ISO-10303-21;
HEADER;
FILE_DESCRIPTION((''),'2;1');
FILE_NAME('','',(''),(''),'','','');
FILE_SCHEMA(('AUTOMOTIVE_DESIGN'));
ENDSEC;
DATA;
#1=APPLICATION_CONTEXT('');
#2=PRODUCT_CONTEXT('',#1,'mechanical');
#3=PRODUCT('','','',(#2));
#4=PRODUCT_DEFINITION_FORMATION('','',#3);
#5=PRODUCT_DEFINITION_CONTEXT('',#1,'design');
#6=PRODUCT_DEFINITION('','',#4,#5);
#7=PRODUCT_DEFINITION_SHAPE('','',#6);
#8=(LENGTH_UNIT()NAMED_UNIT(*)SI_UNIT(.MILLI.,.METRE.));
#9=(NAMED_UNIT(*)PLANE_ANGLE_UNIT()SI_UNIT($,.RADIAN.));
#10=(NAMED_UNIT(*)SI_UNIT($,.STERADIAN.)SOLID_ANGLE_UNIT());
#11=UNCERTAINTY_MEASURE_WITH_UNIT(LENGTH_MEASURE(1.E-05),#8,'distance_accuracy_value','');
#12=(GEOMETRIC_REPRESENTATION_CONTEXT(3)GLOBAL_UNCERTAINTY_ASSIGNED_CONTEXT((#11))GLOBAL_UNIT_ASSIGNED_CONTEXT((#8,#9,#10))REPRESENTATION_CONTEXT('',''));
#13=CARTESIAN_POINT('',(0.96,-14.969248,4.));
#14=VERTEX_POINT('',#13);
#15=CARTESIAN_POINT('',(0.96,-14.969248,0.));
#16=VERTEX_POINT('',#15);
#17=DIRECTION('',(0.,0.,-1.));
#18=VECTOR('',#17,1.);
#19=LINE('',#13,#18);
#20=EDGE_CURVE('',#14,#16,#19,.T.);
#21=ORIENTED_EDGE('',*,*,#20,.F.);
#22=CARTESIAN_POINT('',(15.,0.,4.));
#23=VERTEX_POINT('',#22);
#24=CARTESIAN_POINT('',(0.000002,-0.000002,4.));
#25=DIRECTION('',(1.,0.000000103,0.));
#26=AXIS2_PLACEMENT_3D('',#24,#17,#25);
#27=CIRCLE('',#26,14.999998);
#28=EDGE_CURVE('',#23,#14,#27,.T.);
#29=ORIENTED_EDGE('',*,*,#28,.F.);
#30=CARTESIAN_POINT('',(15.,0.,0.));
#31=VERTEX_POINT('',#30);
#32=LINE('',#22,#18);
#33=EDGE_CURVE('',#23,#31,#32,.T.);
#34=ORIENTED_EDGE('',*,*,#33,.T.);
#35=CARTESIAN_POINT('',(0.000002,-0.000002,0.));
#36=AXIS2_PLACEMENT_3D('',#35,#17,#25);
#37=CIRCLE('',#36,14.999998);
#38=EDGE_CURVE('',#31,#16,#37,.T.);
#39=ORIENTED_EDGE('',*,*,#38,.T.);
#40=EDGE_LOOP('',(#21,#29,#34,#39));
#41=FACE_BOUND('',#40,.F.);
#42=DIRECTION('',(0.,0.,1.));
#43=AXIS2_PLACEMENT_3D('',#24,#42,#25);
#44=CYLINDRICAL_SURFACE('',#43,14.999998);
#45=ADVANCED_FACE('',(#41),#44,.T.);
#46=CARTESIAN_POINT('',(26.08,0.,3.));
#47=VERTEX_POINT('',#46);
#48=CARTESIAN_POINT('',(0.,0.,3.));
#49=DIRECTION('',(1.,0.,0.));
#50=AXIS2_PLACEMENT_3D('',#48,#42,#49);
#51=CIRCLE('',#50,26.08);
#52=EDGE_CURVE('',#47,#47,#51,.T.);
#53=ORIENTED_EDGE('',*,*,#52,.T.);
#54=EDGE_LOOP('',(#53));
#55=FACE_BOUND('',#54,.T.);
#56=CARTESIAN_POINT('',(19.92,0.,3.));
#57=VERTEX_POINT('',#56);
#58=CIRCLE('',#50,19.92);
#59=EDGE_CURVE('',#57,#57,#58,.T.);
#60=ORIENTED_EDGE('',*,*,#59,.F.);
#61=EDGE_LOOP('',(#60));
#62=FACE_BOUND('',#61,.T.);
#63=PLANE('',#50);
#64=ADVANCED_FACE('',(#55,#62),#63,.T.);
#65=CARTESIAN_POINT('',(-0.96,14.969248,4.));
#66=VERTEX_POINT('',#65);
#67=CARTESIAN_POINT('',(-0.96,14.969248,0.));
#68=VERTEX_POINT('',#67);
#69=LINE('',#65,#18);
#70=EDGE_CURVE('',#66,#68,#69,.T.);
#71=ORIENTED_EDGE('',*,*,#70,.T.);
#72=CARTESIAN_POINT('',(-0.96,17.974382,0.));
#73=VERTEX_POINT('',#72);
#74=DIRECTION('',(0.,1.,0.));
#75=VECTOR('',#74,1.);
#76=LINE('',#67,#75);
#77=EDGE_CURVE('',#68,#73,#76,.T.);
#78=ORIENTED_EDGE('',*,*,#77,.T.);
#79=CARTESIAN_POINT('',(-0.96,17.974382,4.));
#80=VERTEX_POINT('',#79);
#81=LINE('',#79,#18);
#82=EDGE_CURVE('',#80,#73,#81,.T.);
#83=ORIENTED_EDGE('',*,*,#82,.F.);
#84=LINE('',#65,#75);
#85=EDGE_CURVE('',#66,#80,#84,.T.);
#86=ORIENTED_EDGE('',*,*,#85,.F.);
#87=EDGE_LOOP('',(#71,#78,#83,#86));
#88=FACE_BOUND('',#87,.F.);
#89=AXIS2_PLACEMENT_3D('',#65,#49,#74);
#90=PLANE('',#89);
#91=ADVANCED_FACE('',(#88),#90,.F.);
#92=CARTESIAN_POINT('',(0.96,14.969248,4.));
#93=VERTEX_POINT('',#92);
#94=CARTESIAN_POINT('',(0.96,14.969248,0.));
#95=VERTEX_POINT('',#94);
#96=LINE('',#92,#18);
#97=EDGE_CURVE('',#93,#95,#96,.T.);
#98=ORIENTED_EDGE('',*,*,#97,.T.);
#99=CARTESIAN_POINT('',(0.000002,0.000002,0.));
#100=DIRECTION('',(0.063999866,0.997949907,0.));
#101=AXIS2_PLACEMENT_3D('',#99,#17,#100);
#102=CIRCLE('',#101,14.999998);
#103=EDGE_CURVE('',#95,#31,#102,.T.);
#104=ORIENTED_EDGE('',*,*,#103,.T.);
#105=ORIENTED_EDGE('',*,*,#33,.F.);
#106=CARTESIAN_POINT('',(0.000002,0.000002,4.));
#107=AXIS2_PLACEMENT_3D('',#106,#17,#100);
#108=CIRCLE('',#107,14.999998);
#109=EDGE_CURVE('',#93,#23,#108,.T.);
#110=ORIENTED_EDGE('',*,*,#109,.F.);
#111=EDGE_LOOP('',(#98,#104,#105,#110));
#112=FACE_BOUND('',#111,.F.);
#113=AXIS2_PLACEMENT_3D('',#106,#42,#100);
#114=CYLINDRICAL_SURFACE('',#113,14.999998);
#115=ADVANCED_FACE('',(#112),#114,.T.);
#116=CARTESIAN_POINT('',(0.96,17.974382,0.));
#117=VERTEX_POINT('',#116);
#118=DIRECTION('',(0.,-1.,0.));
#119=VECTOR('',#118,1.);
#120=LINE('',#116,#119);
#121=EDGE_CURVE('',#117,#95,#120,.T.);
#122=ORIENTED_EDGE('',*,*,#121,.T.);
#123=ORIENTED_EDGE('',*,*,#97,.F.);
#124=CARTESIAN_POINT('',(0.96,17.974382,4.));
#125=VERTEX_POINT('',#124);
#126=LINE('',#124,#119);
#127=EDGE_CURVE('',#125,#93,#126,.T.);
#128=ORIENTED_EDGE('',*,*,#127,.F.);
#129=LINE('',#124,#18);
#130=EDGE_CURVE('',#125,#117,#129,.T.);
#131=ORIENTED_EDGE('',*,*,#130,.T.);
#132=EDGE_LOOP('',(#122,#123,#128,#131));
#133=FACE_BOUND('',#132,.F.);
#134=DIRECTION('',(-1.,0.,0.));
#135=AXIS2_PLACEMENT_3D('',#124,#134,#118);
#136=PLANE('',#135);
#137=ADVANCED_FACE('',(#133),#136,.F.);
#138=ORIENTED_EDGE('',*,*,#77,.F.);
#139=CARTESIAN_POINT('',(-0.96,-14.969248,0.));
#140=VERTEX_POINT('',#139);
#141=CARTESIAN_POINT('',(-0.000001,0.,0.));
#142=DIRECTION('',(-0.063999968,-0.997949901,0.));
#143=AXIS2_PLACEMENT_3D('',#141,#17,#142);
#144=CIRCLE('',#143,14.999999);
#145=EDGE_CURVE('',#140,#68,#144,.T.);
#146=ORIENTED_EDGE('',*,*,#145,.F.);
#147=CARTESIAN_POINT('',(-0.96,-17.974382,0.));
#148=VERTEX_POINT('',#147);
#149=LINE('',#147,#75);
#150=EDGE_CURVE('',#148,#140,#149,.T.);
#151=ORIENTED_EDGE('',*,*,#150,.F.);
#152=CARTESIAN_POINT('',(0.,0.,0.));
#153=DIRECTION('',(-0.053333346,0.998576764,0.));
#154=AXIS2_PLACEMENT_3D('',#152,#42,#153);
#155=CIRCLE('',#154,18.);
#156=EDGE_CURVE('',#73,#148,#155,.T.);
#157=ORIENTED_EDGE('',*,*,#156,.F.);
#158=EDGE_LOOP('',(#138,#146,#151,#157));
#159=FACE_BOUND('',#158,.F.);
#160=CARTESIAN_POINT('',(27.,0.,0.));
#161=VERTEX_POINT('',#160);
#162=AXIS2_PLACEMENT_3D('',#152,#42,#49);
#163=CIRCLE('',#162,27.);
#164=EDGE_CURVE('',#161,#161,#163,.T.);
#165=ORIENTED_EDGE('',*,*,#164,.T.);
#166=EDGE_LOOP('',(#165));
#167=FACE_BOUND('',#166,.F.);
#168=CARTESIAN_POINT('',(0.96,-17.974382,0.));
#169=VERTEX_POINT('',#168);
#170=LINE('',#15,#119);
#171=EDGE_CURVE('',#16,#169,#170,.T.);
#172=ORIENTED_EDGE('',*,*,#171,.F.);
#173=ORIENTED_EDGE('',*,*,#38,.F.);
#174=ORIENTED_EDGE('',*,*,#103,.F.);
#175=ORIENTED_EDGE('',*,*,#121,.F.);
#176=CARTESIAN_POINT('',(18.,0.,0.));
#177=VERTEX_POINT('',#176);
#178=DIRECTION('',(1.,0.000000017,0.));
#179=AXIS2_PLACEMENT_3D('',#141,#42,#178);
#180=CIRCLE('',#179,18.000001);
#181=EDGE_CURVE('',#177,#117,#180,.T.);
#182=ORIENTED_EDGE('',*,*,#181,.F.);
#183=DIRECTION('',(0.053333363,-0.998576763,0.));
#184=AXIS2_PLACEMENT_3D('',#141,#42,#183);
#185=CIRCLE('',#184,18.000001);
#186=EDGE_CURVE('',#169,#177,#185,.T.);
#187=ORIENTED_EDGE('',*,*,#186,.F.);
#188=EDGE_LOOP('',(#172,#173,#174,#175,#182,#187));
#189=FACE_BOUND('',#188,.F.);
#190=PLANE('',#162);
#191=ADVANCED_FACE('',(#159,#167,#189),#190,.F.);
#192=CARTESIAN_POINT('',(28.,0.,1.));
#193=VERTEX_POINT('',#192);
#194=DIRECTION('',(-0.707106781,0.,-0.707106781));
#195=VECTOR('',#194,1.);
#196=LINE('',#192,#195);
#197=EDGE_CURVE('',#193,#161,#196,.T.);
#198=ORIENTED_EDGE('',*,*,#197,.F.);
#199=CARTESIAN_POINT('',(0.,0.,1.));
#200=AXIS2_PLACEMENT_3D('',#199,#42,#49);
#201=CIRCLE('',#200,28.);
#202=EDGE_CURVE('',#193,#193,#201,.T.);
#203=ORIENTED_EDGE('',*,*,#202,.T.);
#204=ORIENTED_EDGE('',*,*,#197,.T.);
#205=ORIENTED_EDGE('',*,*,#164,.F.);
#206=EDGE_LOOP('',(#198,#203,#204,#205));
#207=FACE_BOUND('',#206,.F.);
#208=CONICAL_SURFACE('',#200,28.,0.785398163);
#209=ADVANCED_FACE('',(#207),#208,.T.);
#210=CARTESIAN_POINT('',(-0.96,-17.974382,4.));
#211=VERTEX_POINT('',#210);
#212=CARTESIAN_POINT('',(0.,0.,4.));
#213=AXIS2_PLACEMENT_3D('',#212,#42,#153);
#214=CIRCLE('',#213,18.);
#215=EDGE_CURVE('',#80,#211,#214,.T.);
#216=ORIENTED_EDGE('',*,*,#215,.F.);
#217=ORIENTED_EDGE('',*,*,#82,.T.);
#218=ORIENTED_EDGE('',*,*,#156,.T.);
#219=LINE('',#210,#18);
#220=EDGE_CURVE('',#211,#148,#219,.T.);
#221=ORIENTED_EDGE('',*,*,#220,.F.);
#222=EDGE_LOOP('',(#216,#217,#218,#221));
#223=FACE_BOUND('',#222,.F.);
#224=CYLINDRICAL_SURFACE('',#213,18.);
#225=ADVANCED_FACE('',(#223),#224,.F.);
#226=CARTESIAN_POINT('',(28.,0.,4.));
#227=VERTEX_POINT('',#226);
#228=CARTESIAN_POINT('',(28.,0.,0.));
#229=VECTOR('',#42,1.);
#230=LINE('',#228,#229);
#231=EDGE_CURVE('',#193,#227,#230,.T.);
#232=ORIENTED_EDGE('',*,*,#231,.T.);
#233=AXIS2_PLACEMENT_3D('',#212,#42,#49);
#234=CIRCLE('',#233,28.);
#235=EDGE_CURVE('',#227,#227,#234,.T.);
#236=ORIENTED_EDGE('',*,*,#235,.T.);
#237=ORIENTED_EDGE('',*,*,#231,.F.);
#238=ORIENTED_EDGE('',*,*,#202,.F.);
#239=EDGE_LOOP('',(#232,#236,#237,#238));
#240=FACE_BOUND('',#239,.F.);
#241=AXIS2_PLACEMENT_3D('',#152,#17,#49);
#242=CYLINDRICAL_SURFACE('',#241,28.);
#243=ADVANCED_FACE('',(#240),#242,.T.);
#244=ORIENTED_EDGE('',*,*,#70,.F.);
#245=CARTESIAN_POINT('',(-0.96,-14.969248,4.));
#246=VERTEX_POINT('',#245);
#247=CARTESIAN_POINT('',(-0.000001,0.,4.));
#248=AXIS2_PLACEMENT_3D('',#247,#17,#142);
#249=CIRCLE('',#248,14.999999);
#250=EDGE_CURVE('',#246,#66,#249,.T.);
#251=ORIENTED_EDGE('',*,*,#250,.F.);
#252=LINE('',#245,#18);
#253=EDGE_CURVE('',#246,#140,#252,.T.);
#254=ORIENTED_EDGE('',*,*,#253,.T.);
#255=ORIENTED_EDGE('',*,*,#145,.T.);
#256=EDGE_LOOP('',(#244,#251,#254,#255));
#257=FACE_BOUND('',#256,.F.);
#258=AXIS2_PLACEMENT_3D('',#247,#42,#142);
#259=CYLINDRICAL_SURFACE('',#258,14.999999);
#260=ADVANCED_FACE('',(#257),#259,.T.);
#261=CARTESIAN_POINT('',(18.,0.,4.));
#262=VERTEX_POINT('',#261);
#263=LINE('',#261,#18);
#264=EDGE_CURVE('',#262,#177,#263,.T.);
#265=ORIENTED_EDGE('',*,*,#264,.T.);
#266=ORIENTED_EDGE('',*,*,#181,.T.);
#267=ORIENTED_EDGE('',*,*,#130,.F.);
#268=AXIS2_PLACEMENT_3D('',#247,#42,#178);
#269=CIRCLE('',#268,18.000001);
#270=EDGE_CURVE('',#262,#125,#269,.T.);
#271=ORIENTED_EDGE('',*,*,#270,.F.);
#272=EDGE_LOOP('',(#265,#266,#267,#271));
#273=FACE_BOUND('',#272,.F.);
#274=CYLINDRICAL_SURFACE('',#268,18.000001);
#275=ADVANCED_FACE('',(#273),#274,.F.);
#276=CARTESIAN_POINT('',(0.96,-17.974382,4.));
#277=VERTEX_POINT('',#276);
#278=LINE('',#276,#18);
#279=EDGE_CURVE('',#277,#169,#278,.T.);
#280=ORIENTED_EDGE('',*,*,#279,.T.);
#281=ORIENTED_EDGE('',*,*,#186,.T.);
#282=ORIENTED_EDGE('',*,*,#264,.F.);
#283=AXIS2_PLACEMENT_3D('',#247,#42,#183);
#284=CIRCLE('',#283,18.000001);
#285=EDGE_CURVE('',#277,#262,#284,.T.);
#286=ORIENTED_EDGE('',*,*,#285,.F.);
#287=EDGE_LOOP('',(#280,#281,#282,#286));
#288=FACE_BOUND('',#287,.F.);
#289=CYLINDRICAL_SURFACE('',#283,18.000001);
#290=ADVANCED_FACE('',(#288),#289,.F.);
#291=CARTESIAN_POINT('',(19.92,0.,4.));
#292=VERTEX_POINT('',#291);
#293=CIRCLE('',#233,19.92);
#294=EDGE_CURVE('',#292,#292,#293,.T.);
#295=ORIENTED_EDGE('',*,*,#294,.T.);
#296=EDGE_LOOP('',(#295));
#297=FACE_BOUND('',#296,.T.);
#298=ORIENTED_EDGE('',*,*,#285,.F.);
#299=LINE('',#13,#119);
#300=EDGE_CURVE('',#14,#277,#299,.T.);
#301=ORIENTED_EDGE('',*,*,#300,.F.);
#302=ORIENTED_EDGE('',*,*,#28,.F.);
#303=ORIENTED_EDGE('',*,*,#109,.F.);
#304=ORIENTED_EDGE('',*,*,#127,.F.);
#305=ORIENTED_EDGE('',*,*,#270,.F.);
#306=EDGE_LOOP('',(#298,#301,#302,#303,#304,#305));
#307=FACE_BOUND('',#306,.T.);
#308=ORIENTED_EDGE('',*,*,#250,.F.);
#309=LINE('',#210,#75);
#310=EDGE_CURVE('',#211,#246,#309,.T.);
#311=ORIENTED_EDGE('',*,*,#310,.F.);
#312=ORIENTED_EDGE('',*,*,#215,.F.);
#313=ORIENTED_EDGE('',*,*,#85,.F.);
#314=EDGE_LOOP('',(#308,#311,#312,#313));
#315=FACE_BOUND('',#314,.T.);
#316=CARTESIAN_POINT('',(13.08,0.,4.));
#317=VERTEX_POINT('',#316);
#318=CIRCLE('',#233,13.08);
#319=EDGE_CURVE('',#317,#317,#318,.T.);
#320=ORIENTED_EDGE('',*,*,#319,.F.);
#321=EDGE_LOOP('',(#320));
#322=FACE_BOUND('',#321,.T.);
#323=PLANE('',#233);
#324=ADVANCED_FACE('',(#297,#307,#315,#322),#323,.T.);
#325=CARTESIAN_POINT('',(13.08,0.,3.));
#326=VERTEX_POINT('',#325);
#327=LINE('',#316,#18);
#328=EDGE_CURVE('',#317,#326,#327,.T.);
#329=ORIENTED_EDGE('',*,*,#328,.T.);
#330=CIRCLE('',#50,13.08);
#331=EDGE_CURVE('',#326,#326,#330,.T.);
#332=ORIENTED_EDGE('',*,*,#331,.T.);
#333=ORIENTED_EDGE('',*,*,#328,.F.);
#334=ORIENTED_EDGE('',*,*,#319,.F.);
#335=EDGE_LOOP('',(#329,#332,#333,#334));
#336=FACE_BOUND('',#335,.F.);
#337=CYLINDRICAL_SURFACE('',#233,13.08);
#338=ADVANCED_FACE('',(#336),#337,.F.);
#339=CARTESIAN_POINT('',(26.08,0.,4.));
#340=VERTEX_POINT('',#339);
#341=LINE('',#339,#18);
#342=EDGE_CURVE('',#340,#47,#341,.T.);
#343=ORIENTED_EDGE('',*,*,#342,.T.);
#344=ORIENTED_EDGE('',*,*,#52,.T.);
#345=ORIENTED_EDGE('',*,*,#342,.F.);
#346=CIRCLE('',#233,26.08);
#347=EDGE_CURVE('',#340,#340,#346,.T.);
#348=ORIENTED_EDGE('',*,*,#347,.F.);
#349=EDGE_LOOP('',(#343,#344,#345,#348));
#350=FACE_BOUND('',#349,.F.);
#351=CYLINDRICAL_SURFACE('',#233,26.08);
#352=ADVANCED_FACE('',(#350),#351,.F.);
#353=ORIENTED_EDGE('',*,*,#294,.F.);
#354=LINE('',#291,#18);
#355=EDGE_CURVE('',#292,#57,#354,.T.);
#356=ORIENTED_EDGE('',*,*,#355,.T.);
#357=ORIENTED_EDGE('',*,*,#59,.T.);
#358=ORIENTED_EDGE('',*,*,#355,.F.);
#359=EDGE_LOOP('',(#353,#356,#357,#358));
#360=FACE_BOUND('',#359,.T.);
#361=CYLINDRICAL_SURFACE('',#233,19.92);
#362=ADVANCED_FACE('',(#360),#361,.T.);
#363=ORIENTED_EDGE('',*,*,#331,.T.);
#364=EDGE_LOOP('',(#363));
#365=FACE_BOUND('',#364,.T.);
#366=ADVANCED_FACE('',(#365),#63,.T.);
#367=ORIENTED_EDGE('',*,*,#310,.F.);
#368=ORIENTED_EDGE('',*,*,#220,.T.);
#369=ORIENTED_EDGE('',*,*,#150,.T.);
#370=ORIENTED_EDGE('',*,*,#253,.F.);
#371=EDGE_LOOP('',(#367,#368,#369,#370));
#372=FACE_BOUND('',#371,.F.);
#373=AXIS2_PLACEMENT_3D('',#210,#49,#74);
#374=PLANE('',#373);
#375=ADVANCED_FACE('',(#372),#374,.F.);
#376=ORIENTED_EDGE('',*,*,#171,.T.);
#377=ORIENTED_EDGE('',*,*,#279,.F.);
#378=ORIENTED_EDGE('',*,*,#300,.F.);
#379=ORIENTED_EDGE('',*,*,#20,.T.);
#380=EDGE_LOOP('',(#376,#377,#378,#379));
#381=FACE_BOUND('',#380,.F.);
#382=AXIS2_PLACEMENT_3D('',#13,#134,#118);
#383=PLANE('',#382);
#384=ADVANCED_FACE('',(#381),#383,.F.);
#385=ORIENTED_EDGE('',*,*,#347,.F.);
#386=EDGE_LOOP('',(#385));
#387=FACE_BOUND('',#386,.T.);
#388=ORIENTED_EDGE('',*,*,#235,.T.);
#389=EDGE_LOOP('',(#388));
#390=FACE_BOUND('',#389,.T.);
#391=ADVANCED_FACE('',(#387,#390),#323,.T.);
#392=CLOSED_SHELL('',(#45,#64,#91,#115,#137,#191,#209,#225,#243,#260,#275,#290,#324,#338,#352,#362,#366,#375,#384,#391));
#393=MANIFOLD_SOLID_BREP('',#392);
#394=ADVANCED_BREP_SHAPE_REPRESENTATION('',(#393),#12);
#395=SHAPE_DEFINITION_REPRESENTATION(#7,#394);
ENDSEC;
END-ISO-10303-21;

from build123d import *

# Parameters (mm, degrees)
F0_R     = 28
F1_DEPTH = 4
F3_DEPTH = 4
F4_R     = 26.08
F4_R_2   = 19.92
F4_R_3   = 13.08
F5_DEPTH = 1
F6_SIZE  = 1


with BuildPart() as f1:
    # F0 (on Top) → F1 (new body)
    with BuildSketch(Plane.XY):
        Circle(F0_R)
    extrude(amount=F1_DEPTH)

    # F2 (on face) → F3 (cut, through all)
    with BuildSketch(Plane.XY.offset(4)):
        with BuildLine():
            ThreePointArc((-0.96, -14.969248), (-15, 0), (-0.96, 14.969248))
            Line((-0.96, 14.969248), (-0.96, 17.974382))
            ThreePointArc((-0.96, 17.974382), (-18, 0), (-0.96, -17.974382))
            Line((-0.96, -17.974382), (-0.96, -14.969248))
        make_face()
        with BuildLine():
            ThreePointArc((0.96, 14.969248), (10.94075, 10.261579), (15, 0))
            ThreePointArc((15, 0), (10.94075, -10.261579), (0.96, -14.969248))
            Line((0.96, -14.969248), (0.96, -17.974382))
            ThreePointArc((0.96, -17.974382), (13.062925, -12.38386), (18, 0))
            ThreePointArc((18, 0), (13.062925, 12.38386), (0.96, 17.974382))
            Line((0.96, 17.974382), (0.96, 14.969248))
        make_face()
    extrude(amount=-F3_DEPTH, mode=Mode.SUBTRACT)

    # F4 (on face) → F5 (cut)
    with BuildSketch(Plane.XY.offset(4)):
        Circle(F4_R)
        Circle(F4_R_2, mode=Mode.SUBTRACT)
        Circle(F4_R_3)
    extrude(amount=-F5_DEPTH, mode=Mode.SUBTRACT)

    # F6
    f6_edges = [f1.edges().sort_by_distance(p)[0] for p in [
        (-28, 0, 0),
    ]]
    chamfer(f6_edges, length=F6_SIZE)


solid = f1.part
